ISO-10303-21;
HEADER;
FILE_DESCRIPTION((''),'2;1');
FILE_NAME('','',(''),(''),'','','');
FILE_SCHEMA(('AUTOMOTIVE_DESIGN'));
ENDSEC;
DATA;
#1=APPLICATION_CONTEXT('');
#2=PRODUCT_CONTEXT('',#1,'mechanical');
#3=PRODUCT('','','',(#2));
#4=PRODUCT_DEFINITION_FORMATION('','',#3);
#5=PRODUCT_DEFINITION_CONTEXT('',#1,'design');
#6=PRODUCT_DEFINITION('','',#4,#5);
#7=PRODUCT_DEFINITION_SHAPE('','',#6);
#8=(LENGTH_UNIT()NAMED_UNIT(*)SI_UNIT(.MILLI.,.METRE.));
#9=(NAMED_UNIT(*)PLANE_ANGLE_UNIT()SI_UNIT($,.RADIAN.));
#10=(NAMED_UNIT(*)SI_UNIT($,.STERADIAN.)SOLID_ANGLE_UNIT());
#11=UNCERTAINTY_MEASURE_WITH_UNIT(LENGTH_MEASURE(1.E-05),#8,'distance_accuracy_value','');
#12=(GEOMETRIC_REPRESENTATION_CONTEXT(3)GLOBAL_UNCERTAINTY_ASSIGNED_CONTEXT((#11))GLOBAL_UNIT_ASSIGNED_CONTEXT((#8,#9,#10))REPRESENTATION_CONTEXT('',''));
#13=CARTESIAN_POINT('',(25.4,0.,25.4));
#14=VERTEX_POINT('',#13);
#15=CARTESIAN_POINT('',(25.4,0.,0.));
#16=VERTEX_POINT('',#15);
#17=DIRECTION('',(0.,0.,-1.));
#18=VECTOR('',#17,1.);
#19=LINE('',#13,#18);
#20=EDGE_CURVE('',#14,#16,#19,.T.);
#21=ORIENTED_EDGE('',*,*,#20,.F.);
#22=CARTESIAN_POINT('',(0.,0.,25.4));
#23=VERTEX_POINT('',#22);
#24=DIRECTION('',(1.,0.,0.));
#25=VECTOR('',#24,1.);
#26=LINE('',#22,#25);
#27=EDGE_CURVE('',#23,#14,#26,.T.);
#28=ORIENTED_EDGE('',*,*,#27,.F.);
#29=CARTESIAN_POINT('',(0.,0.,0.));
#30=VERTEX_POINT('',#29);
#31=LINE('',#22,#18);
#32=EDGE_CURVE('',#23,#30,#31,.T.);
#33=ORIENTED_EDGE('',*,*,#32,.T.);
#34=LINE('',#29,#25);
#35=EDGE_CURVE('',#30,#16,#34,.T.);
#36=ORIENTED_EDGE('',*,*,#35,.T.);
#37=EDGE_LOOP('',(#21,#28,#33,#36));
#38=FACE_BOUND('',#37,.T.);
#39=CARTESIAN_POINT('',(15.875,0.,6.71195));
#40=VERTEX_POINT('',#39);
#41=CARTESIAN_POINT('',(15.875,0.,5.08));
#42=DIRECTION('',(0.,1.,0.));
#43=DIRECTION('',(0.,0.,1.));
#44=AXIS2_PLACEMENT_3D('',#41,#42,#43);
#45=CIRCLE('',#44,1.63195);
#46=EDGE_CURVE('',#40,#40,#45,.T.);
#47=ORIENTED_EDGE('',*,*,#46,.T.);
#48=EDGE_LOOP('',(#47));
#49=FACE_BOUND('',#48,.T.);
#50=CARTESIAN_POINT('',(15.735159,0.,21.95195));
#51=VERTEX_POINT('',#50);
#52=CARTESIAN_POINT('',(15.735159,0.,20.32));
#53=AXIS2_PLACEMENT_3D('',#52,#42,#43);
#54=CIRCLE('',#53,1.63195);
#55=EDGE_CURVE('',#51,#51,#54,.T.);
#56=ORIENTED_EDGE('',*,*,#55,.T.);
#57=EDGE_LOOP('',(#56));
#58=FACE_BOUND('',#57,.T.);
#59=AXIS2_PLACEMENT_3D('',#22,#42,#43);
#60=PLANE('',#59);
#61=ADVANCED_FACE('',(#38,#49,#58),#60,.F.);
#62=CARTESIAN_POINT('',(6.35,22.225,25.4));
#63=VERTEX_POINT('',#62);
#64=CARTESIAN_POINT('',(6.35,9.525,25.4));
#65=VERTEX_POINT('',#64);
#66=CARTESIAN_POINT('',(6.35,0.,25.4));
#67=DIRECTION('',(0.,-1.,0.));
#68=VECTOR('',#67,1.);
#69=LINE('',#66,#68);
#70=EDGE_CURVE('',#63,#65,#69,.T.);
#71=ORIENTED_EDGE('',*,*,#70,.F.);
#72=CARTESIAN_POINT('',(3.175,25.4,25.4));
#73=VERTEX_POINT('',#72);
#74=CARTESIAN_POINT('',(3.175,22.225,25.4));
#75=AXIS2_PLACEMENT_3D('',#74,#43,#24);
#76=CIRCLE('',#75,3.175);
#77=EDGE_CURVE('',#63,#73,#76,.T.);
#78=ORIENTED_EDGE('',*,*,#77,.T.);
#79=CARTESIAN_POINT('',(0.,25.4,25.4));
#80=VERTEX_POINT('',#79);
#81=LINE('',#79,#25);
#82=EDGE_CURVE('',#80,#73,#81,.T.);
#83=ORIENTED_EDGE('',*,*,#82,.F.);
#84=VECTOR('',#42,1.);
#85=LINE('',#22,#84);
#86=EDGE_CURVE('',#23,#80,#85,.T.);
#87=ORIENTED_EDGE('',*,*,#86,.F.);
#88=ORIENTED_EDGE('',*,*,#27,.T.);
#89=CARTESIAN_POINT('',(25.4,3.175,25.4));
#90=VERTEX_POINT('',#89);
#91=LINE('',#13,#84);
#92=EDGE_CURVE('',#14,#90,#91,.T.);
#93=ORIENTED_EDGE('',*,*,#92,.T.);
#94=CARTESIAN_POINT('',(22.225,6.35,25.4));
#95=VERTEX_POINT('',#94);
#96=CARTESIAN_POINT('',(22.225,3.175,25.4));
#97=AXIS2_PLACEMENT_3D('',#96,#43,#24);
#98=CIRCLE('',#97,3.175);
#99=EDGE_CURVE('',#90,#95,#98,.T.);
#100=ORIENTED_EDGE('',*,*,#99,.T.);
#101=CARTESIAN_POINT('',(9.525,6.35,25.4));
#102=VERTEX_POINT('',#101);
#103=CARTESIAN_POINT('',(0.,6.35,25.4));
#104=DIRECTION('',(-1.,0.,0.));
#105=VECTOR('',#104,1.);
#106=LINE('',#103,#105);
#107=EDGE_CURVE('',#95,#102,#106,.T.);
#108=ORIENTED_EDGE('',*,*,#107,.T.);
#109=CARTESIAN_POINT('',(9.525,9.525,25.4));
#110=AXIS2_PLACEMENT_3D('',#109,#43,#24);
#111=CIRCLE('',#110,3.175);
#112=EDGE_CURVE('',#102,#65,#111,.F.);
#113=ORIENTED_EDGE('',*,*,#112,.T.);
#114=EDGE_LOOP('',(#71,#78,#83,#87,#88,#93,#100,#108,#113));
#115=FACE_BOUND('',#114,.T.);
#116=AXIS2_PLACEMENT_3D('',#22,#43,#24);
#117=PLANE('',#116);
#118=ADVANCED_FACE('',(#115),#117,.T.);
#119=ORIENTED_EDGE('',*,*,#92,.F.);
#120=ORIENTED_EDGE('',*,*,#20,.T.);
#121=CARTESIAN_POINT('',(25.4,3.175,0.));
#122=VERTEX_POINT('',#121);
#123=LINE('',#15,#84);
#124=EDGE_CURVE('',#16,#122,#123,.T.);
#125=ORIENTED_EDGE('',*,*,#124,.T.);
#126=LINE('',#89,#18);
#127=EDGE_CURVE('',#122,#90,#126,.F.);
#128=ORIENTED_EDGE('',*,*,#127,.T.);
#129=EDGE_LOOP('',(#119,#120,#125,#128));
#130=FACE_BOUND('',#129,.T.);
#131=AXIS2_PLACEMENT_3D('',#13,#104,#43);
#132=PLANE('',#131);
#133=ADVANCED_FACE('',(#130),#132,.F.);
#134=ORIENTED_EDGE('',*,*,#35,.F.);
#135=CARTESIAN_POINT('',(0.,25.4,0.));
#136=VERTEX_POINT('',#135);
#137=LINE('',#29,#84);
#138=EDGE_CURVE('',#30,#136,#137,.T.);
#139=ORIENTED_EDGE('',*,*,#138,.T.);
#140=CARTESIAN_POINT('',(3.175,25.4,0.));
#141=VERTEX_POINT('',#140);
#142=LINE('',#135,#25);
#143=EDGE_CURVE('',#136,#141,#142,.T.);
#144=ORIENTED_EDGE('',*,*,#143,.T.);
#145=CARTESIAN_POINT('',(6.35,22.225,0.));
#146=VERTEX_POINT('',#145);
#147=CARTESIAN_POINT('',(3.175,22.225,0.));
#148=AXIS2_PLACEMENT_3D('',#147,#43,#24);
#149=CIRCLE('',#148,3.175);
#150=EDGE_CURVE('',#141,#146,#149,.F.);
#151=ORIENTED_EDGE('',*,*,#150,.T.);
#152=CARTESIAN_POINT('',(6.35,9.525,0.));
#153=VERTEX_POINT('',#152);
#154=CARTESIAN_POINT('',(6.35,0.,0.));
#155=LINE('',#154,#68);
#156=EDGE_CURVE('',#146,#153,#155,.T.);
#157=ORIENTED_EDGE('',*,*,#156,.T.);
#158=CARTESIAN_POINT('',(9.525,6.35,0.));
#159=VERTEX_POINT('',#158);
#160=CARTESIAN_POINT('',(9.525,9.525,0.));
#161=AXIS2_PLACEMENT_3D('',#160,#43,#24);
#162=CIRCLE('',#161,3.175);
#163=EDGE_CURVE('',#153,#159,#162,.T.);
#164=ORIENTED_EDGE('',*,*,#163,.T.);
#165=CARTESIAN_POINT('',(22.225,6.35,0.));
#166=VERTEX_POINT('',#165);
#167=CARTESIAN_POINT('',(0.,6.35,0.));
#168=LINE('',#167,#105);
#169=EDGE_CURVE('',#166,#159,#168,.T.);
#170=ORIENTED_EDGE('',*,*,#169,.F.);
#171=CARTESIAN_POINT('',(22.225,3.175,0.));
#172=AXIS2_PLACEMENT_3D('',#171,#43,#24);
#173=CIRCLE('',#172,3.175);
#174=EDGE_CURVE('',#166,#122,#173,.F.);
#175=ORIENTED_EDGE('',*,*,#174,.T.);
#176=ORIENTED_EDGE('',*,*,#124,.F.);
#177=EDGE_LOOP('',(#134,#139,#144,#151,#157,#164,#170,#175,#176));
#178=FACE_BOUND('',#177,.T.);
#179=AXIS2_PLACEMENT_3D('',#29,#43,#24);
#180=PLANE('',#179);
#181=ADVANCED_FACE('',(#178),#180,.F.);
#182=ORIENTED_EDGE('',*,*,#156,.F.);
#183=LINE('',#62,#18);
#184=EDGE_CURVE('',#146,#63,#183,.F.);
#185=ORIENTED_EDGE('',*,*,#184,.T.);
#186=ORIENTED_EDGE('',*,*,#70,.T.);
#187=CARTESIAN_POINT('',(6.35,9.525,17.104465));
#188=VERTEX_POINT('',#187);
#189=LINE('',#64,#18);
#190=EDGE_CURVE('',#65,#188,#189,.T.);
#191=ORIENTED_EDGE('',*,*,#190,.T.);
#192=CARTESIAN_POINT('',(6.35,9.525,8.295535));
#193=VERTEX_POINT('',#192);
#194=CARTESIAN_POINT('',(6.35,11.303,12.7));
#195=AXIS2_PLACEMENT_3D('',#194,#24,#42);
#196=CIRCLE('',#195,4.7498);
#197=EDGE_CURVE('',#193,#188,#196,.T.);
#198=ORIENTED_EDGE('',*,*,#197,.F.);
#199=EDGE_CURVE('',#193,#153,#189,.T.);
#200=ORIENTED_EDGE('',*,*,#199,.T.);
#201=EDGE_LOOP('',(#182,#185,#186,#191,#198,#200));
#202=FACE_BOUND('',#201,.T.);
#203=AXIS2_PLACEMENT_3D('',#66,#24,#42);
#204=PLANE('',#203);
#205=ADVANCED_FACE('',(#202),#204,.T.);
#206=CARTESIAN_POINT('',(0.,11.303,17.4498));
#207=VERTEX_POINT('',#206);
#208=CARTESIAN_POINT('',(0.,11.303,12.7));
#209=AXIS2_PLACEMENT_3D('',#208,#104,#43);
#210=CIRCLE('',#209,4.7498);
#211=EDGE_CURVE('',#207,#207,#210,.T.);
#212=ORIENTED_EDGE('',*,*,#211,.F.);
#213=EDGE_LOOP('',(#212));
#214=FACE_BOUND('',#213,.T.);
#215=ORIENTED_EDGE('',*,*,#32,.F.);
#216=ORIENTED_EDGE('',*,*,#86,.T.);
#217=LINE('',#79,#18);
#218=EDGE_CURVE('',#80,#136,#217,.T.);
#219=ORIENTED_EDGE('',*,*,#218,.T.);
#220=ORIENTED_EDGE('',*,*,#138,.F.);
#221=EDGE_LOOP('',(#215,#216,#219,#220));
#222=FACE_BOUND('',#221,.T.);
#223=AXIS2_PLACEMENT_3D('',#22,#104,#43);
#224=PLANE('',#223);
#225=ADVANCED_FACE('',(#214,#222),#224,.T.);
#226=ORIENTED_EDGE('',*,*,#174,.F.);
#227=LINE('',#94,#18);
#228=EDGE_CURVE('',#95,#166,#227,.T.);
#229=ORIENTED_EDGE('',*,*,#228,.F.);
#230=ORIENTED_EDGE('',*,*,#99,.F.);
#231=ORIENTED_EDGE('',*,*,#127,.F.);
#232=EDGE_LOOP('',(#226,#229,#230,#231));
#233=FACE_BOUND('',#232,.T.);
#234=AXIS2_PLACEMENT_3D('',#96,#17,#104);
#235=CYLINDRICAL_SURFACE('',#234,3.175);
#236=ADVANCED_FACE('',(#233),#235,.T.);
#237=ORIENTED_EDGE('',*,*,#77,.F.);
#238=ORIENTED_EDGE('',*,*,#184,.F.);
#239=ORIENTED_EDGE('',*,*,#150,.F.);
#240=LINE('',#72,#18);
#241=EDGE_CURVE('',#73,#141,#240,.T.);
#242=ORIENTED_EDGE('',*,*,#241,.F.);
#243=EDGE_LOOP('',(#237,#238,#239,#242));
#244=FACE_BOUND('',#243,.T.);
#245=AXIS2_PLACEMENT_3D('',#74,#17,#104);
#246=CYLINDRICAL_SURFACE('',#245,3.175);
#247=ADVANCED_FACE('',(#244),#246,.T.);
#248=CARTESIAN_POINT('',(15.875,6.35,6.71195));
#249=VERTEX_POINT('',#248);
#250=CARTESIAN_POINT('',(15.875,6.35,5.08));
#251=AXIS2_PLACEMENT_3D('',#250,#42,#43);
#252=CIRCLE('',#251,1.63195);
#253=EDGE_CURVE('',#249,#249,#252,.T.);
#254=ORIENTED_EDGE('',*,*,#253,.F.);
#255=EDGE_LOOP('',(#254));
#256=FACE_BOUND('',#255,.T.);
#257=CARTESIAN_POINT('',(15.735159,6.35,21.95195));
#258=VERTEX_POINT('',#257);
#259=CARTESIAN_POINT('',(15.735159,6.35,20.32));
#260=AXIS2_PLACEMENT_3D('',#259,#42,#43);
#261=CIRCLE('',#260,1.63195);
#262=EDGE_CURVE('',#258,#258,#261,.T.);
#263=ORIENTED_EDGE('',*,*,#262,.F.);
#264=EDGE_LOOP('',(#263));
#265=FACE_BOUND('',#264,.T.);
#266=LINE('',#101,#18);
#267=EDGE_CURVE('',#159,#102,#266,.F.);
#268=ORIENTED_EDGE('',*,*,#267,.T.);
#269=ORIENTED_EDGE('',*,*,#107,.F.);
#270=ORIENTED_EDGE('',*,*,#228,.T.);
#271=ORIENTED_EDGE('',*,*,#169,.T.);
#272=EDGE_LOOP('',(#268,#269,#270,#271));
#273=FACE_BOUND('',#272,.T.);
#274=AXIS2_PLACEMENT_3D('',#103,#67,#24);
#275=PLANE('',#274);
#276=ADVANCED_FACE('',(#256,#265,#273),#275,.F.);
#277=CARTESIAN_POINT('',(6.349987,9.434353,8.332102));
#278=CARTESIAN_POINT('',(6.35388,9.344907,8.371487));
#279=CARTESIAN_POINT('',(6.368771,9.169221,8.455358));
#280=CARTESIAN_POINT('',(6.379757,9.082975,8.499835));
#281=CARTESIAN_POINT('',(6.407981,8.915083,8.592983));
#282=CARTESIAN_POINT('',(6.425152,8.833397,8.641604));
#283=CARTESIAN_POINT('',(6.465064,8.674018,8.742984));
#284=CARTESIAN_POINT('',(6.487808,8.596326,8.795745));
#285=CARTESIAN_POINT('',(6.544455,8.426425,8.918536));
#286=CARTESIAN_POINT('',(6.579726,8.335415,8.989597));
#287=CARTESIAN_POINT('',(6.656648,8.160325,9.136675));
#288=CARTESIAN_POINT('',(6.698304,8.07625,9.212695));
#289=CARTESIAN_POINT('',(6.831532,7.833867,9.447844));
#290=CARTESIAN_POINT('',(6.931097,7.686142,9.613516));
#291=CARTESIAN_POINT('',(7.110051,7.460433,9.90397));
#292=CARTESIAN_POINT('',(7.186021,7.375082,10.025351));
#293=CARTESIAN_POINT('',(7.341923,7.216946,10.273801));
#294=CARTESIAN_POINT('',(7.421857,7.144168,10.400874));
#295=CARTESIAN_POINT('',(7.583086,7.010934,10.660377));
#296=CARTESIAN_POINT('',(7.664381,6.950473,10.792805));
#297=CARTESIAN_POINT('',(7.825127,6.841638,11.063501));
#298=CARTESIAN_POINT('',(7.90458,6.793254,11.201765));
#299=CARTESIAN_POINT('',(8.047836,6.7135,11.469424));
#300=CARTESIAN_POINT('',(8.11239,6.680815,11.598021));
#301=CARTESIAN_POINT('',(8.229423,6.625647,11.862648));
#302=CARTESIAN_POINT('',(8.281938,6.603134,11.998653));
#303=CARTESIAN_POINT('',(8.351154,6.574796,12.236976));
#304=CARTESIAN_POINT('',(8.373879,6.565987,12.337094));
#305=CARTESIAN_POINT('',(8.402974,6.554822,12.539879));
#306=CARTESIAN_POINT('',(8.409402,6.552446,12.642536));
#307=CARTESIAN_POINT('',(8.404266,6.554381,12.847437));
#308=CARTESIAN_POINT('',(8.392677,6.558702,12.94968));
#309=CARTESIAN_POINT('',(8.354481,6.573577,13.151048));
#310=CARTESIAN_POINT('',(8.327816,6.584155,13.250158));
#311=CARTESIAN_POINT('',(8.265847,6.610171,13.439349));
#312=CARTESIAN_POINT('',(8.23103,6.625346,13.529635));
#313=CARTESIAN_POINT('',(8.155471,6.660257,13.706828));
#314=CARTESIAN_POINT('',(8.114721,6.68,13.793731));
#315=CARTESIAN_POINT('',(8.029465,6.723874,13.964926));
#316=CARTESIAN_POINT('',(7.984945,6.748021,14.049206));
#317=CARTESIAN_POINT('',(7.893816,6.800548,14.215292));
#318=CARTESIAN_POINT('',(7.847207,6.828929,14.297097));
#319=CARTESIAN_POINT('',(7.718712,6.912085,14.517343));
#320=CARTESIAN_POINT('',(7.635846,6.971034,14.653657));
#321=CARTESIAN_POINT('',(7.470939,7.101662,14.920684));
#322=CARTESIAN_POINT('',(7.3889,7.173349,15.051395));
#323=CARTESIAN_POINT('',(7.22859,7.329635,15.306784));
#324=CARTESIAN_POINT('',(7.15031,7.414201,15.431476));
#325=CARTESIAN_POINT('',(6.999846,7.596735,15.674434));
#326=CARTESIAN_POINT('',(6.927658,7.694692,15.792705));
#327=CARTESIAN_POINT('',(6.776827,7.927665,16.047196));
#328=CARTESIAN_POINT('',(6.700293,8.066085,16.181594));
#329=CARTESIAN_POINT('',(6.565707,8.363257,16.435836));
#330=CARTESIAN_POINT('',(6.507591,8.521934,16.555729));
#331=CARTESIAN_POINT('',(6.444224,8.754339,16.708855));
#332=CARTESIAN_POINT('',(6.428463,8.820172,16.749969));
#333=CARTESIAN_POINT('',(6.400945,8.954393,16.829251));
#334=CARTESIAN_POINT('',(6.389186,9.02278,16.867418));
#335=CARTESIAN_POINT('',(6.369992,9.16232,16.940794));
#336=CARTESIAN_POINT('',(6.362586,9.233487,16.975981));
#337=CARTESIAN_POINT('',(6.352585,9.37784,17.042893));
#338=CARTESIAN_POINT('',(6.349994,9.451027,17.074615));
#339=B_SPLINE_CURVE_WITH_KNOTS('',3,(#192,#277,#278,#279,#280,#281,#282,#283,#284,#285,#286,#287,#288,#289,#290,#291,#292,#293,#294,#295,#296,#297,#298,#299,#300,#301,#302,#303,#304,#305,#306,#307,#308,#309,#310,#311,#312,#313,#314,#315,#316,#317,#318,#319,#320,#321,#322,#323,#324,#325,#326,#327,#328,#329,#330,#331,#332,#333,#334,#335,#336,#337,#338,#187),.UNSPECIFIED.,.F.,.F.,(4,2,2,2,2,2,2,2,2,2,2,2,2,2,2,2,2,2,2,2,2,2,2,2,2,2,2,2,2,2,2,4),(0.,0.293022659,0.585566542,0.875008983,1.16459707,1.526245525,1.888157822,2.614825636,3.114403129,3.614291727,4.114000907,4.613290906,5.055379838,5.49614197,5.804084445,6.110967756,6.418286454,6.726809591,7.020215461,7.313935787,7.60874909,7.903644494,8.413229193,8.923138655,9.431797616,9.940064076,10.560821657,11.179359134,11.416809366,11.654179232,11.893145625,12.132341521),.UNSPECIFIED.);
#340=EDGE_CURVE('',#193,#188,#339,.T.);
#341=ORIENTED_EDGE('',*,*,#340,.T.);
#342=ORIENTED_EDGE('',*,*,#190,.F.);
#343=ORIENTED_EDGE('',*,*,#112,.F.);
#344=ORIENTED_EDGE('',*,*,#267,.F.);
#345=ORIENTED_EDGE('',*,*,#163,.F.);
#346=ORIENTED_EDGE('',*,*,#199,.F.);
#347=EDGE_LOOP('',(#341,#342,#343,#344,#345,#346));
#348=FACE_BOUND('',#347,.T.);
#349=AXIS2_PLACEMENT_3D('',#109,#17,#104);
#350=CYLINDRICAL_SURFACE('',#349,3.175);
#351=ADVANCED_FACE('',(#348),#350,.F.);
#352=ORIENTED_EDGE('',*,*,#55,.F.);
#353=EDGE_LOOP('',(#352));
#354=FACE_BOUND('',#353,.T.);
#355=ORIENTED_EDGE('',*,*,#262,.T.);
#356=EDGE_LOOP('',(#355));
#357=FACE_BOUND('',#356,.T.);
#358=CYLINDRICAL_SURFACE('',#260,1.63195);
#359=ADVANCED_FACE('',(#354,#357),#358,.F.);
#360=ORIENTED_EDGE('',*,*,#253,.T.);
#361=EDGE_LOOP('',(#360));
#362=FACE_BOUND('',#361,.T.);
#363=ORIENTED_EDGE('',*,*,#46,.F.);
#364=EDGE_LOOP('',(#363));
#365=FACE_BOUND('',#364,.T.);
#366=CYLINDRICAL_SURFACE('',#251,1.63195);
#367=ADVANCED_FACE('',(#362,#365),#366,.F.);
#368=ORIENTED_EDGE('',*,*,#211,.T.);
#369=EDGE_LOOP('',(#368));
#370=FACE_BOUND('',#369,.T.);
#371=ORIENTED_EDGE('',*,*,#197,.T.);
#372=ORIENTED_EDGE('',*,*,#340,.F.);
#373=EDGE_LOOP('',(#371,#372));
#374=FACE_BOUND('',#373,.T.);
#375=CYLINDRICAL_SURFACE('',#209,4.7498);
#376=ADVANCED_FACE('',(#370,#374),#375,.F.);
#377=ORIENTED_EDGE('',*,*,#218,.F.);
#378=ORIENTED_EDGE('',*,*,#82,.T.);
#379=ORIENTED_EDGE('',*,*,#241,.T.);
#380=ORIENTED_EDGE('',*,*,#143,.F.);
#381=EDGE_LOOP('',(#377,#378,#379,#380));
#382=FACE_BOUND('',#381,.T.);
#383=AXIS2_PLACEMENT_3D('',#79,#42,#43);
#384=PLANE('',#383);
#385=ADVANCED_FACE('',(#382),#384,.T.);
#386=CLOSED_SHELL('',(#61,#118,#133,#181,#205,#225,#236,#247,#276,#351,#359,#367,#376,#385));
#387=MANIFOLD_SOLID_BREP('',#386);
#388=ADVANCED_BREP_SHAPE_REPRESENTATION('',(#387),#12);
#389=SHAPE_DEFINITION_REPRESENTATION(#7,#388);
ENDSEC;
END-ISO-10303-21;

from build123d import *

# Parameters (mm, degrees)
BOSS_EXTRUDE1_DEPTH          = 25.4
F_4_CLEARANCE_HOLE1_D        = 3.2639
FILLET1_R                    = 3.175
F_3_8_0_374_DIAMETER_HOLE1_D = 9.4996


with BuildPart() as part:
    # Sketch1 → Boss-Extrude1 (new body)
    with BuildSketch(Plane.XY):
        Polygon((0, 25.4), (0, 0), (25.4, 0), (25.4, 6.35), (6.35, 6.35), (6.35, 25.4), align=None)
    extrude(amount=BOSS_EXTRUDE1_DEPTH)

    # #4 Clearance Hole1 (through all)
    with Locations(Plane(origin=(0, 6.35, 0), x_dir=(1, 0, 0), z_dir=(0, 1, 0))):
        with Locations((15.735159407, -20.32), (15.875, -5.08)):
            Hole(F_4_CLEARANCE_HOLE1_D / 2)

    # Fillet1
    fillet1_edges = [part.edges().sort_by_distance(p)[0] for p in [
        (6.35, 6.35, 12.7),
        (25.4, 6.35, 12.7),
        (6.35, 25.4, 12.7),
    ]]
    fillet(fillet1_edges, radius=FILLET1_R)

    # 3/8 (0.374) Diameter Hole1 (through all)
    with Locations(Plane(origin=(0, 0, 0), x_dir=(0, 0, -1), z_dir=(-1, 0, 0))):
        with Locations((-12.7, -11.303)):
            Hole(F_3_8_0_374_DIAMETER_HOLE1_D / 2)


solid = part.part
